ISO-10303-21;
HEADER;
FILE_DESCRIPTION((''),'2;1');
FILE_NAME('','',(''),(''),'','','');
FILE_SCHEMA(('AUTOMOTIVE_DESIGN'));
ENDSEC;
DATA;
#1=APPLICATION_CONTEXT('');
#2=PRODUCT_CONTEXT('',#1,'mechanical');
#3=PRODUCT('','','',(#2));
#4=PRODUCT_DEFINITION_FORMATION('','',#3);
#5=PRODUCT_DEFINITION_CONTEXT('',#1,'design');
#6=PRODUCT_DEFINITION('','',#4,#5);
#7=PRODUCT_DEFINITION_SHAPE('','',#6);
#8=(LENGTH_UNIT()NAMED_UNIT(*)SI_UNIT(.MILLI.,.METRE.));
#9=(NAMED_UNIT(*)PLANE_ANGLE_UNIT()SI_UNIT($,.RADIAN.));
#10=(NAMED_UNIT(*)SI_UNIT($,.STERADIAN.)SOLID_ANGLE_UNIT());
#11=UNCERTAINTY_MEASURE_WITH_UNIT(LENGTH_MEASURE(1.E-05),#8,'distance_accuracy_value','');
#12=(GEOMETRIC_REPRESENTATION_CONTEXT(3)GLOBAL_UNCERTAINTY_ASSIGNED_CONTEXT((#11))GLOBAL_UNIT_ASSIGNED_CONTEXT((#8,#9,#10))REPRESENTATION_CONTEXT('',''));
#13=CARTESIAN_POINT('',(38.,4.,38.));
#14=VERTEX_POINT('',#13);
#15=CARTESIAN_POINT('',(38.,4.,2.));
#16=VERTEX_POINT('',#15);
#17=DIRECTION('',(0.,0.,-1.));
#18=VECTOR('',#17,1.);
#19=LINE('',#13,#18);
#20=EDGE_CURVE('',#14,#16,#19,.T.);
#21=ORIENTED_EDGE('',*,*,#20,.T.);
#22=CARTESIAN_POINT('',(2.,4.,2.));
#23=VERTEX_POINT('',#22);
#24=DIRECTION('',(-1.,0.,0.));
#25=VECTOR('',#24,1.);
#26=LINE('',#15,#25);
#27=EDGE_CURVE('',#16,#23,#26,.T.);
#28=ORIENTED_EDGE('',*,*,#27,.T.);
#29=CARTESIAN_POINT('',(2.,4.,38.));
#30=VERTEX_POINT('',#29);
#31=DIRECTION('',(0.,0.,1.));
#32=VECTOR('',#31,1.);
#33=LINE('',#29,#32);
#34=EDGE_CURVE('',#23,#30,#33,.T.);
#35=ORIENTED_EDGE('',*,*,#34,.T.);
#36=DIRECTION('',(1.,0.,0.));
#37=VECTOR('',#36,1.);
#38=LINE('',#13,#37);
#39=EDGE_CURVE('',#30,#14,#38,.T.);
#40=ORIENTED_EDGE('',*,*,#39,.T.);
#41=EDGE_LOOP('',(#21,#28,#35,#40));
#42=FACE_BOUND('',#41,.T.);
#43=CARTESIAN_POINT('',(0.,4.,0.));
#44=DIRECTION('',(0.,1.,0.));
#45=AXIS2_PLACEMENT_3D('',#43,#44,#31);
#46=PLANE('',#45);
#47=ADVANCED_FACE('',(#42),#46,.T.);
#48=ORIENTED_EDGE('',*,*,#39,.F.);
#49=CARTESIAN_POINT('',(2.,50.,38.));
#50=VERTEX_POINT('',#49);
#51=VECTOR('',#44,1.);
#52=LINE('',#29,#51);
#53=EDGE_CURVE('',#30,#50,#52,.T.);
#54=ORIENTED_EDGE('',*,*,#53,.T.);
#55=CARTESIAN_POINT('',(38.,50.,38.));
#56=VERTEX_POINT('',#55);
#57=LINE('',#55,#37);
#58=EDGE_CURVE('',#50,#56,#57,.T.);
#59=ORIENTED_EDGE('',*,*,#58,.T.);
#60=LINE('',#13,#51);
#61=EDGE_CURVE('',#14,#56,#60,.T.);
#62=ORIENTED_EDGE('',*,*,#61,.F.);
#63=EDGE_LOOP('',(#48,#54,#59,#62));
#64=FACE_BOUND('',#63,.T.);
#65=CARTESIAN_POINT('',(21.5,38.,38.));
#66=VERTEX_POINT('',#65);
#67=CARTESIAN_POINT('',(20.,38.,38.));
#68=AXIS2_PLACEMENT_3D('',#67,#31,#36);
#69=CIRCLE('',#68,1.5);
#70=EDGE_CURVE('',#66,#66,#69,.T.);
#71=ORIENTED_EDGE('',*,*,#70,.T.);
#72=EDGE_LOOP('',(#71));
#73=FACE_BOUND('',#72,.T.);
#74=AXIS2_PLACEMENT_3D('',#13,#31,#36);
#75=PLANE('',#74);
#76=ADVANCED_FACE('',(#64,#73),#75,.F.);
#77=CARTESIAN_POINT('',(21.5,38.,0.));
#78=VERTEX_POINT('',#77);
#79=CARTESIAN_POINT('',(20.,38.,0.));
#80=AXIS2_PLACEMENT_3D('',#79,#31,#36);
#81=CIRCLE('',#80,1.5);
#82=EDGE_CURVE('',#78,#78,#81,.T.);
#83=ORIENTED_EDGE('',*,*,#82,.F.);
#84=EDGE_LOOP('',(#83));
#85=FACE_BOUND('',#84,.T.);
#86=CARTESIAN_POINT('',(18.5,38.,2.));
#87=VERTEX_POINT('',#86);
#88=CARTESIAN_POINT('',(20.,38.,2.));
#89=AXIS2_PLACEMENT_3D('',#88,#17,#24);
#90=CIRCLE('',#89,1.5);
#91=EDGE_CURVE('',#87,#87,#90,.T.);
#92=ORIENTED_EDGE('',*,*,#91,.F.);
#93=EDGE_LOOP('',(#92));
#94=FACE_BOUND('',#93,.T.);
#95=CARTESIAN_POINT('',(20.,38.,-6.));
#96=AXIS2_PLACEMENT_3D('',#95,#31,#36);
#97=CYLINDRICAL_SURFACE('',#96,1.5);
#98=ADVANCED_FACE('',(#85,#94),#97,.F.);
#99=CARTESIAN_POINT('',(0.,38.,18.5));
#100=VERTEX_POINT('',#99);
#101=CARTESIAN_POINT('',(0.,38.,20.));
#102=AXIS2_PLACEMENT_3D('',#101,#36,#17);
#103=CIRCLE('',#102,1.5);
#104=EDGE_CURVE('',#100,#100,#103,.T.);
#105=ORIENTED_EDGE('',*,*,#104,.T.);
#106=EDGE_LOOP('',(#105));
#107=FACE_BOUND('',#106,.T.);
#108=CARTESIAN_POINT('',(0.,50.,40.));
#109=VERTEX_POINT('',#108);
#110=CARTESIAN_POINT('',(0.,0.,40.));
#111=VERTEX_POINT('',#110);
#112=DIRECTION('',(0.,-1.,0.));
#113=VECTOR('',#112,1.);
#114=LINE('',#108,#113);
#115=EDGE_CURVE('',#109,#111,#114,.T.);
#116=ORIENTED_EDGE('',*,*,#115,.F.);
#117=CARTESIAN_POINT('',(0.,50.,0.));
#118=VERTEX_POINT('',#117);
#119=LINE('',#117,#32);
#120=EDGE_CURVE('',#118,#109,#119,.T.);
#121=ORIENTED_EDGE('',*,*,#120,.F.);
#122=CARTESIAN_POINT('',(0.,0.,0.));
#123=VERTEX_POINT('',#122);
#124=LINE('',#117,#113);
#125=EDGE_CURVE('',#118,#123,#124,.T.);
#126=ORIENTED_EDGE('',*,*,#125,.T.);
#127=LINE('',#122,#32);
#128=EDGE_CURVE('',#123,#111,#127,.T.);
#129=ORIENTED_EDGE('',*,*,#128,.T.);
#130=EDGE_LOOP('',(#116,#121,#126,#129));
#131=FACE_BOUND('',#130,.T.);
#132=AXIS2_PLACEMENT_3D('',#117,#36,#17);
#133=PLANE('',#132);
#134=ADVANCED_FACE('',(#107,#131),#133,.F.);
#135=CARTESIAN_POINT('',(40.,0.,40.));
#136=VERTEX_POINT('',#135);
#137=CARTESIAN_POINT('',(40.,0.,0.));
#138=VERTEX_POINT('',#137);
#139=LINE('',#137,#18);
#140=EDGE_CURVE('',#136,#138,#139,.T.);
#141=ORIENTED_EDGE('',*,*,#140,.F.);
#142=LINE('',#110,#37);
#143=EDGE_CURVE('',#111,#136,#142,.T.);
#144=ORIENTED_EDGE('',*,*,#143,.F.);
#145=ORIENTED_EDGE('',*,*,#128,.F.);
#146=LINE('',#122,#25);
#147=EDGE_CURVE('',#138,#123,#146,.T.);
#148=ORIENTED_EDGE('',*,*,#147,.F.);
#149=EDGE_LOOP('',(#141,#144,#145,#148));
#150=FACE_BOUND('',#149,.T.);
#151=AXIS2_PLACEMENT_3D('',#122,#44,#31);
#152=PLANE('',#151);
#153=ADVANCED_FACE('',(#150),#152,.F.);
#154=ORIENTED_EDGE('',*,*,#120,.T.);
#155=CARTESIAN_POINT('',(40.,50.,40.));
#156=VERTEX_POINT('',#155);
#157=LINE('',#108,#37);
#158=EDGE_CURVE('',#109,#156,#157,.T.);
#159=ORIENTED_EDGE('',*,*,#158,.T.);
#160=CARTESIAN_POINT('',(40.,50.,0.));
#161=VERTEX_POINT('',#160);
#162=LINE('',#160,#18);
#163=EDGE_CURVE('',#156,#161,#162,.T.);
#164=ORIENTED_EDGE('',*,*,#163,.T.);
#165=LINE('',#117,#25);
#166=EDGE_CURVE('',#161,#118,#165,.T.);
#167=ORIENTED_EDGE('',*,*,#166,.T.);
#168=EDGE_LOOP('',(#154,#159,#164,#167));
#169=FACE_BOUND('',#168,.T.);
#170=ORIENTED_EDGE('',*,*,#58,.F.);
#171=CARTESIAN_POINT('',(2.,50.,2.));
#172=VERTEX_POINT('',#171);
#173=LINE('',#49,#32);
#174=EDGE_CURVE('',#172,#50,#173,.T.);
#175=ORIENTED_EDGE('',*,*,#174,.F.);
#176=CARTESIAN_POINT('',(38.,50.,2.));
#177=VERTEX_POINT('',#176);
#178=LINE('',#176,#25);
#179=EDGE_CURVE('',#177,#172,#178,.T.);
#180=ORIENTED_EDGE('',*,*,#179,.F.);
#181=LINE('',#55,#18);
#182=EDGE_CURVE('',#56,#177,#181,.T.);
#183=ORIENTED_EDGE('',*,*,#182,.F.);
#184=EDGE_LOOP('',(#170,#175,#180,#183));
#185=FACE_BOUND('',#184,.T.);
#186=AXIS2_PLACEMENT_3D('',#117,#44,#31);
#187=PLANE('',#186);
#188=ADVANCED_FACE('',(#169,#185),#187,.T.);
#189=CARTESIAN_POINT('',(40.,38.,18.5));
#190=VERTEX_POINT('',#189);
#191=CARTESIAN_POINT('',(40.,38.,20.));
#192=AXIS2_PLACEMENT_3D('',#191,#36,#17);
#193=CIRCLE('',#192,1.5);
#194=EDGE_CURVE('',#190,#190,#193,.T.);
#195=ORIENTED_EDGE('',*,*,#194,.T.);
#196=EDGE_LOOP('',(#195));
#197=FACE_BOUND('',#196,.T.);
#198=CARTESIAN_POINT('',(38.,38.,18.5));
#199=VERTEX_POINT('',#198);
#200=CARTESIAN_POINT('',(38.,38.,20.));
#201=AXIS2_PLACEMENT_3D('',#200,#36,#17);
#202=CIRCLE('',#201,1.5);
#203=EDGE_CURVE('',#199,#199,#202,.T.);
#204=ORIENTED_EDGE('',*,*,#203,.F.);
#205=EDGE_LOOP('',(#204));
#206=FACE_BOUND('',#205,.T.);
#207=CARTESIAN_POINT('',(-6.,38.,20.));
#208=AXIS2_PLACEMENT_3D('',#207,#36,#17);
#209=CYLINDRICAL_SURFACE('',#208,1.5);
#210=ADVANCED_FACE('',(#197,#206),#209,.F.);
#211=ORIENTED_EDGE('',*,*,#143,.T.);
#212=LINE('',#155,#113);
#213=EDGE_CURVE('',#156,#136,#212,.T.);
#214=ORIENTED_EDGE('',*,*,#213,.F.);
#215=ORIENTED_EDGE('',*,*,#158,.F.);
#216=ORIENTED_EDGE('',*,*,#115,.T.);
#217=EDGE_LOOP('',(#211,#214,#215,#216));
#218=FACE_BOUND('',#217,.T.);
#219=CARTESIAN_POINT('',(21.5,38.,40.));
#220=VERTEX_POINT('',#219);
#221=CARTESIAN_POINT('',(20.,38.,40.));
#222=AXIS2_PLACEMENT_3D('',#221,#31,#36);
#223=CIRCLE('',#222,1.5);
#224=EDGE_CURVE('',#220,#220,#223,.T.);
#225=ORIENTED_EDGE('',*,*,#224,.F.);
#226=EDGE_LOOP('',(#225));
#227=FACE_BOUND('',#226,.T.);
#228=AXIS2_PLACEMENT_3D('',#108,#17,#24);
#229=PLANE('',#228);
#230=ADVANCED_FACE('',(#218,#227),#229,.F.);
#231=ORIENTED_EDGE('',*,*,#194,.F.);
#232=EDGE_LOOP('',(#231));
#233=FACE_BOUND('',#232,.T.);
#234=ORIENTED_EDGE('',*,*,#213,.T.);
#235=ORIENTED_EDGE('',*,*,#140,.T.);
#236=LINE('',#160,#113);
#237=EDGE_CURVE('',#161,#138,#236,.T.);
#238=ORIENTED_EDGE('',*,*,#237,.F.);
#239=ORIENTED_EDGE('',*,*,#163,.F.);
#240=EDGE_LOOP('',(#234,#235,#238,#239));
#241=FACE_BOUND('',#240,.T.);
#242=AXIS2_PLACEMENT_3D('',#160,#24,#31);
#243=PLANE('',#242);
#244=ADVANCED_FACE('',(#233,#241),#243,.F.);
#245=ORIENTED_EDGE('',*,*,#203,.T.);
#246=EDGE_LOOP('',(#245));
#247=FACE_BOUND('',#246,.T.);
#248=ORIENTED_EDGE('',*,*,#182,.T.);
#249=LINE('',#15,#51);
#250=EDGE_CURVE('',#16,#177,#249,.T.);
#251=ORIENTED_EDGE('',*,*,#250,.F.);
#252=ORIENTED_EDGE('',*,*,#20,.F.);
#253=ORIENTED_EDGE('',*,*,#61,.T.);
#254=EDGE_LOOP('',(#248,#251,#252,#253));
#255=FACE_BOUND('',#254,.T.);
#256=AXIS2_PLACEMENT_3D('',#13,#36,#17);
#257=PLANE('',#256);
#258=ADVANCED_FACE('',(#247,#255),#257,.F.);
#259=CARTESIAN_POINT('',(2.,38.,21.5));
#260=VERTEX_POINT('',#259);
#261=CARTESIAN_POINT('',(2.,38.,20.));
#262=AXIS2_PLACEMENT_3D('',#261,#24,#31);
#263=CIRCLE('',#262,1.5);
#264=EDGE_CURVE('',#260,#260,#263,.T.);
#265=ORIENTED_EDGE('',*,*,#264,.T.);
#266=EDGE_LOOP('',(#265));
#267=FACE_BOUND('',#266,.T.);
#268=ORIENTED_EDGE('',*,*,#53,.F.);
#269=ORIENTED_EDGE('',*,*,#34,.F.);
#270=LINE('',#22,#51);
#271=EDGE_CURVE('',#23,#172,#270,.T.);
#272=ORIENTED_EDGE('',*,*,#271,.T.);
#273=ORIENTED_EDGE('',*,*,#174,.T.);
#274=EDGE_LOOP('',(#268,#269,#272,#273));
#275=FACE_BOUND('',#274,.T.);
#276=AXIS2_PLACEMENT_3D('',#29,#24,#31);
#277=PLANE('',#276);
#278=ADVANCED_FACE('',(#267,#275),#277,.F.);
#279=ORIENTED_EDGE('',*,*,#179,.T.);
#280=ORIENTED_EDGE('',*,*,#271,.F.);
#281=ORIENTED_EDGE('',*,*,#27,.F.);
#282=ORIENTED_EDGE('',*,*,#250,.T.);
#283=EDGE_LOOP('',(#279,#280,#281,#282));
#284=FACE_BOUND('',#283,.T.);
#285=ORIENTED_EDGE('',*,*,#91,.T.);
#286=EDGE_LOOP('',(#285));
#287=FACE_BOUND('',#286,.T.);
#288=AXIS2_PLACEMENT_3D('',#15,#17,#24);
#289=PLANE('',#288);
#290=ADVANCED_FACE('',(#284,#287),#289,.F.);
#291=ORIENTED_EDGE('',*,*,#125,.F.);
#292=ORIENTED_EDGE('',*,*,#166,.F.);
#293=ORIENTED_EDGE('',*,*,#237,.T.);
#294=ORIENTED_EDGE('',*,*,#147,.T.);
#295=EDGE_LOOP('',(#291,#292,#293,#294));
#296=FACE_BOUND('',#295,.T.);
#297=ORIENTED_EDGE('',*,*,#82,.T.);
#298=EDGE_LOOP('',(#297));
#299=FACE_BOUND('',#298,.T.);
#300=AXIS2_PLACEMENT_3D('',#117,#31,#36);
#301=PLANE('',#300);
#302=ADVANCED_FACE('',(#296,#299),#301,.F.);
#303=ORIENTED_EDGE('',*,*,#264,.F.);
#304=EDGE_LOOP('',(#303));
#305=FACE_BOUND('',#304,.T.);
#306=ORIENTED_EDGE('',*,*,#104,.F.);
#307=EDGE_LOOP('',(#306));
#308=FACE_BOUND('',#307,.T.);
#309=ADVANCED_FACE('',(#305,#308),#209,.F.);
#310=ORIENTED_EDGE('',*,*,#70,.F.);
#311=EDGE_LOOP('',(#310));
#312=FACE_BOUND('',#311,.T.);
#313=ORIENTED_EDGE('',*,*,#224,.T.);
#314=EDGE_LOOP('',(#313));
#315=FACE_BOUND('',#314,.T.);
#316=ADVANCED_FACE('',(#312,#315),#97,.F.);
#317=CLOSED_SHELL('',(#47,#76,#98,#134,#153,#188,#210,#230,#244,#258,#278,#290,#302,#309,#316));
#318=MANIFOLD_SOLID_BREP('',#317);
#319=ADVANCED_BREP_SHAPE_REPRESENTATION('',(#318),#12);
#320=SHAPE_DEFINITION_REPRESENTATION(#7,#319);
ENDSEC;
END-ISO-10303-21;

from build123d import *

# Parameters (mm, degrees)
SKETCH_1_W          = 40
SKETCH_1_H          = 40
EXTRUDE_1_DEPTH     = 50
SKETCH_2_W          = 36
SKETCH_2_H          = 36
CUT_EXTRUDE_1_DEPTH = 46
SKETCH_3_R          = 1.5
CUT_EXTRUDE_2_DEPTH = 46
SKETCH_4_R          = 1.5
CUT_EXTRUDE_3_DEPTH = 46


with BuildPart() as part:
    # 草图1 → 凸台-拉伸1 (new body)
    with BuildSketch(Plane(origin=(0, 0, 0), x_dir=(1, 0, 0), z_dir=(0, 1, 0))):
        with Locations((20, -20)):
            Rectangle(SKETCH_1_W, SKETCH_1_H)
    extrude(amount=EXTRUDE_1_DEPTH)

    # 草图2 → 切除-拉伸1 (cut)
    with BuildSketch(Plane(origin=(0, 50, 0), x_dir=(1, 0, 0), z_dir=(0, 1, 0))):
        with Locations((20, -20)):
            Rectangle(SKETCH_2_W, SKETCH_2_H)
    extrude(amount=-CUT_EXTRUDE_1_DEPTH, mode=Mode.SUBTRACT)

    # 草图3 → 切除-拉伸2 (cut)
    with BuildSketch(Plane.XY.offset(40)):
        with Locations((20, 38)):
            Circle(SKETCH_3_R)
    extrude(amount=-CUT_EXTRUDE_2_DEPTH, mode=Mode.SUBTRACT)

    # 草图4 → 切除-拉伸3 (cut)
    with BuildSketch(Plane(origin=(40, 0, 0), x_dir=(0, 0, -1), z_dir=(1, 0, 0))):
        with Locations((-20, 38)):
            Circle(SKETCH_4_R)
    extrude(amount=-CUT_EXTRUDE_3_DEPTH, mode=Mode.SUBTRACT)


solid = part.part
